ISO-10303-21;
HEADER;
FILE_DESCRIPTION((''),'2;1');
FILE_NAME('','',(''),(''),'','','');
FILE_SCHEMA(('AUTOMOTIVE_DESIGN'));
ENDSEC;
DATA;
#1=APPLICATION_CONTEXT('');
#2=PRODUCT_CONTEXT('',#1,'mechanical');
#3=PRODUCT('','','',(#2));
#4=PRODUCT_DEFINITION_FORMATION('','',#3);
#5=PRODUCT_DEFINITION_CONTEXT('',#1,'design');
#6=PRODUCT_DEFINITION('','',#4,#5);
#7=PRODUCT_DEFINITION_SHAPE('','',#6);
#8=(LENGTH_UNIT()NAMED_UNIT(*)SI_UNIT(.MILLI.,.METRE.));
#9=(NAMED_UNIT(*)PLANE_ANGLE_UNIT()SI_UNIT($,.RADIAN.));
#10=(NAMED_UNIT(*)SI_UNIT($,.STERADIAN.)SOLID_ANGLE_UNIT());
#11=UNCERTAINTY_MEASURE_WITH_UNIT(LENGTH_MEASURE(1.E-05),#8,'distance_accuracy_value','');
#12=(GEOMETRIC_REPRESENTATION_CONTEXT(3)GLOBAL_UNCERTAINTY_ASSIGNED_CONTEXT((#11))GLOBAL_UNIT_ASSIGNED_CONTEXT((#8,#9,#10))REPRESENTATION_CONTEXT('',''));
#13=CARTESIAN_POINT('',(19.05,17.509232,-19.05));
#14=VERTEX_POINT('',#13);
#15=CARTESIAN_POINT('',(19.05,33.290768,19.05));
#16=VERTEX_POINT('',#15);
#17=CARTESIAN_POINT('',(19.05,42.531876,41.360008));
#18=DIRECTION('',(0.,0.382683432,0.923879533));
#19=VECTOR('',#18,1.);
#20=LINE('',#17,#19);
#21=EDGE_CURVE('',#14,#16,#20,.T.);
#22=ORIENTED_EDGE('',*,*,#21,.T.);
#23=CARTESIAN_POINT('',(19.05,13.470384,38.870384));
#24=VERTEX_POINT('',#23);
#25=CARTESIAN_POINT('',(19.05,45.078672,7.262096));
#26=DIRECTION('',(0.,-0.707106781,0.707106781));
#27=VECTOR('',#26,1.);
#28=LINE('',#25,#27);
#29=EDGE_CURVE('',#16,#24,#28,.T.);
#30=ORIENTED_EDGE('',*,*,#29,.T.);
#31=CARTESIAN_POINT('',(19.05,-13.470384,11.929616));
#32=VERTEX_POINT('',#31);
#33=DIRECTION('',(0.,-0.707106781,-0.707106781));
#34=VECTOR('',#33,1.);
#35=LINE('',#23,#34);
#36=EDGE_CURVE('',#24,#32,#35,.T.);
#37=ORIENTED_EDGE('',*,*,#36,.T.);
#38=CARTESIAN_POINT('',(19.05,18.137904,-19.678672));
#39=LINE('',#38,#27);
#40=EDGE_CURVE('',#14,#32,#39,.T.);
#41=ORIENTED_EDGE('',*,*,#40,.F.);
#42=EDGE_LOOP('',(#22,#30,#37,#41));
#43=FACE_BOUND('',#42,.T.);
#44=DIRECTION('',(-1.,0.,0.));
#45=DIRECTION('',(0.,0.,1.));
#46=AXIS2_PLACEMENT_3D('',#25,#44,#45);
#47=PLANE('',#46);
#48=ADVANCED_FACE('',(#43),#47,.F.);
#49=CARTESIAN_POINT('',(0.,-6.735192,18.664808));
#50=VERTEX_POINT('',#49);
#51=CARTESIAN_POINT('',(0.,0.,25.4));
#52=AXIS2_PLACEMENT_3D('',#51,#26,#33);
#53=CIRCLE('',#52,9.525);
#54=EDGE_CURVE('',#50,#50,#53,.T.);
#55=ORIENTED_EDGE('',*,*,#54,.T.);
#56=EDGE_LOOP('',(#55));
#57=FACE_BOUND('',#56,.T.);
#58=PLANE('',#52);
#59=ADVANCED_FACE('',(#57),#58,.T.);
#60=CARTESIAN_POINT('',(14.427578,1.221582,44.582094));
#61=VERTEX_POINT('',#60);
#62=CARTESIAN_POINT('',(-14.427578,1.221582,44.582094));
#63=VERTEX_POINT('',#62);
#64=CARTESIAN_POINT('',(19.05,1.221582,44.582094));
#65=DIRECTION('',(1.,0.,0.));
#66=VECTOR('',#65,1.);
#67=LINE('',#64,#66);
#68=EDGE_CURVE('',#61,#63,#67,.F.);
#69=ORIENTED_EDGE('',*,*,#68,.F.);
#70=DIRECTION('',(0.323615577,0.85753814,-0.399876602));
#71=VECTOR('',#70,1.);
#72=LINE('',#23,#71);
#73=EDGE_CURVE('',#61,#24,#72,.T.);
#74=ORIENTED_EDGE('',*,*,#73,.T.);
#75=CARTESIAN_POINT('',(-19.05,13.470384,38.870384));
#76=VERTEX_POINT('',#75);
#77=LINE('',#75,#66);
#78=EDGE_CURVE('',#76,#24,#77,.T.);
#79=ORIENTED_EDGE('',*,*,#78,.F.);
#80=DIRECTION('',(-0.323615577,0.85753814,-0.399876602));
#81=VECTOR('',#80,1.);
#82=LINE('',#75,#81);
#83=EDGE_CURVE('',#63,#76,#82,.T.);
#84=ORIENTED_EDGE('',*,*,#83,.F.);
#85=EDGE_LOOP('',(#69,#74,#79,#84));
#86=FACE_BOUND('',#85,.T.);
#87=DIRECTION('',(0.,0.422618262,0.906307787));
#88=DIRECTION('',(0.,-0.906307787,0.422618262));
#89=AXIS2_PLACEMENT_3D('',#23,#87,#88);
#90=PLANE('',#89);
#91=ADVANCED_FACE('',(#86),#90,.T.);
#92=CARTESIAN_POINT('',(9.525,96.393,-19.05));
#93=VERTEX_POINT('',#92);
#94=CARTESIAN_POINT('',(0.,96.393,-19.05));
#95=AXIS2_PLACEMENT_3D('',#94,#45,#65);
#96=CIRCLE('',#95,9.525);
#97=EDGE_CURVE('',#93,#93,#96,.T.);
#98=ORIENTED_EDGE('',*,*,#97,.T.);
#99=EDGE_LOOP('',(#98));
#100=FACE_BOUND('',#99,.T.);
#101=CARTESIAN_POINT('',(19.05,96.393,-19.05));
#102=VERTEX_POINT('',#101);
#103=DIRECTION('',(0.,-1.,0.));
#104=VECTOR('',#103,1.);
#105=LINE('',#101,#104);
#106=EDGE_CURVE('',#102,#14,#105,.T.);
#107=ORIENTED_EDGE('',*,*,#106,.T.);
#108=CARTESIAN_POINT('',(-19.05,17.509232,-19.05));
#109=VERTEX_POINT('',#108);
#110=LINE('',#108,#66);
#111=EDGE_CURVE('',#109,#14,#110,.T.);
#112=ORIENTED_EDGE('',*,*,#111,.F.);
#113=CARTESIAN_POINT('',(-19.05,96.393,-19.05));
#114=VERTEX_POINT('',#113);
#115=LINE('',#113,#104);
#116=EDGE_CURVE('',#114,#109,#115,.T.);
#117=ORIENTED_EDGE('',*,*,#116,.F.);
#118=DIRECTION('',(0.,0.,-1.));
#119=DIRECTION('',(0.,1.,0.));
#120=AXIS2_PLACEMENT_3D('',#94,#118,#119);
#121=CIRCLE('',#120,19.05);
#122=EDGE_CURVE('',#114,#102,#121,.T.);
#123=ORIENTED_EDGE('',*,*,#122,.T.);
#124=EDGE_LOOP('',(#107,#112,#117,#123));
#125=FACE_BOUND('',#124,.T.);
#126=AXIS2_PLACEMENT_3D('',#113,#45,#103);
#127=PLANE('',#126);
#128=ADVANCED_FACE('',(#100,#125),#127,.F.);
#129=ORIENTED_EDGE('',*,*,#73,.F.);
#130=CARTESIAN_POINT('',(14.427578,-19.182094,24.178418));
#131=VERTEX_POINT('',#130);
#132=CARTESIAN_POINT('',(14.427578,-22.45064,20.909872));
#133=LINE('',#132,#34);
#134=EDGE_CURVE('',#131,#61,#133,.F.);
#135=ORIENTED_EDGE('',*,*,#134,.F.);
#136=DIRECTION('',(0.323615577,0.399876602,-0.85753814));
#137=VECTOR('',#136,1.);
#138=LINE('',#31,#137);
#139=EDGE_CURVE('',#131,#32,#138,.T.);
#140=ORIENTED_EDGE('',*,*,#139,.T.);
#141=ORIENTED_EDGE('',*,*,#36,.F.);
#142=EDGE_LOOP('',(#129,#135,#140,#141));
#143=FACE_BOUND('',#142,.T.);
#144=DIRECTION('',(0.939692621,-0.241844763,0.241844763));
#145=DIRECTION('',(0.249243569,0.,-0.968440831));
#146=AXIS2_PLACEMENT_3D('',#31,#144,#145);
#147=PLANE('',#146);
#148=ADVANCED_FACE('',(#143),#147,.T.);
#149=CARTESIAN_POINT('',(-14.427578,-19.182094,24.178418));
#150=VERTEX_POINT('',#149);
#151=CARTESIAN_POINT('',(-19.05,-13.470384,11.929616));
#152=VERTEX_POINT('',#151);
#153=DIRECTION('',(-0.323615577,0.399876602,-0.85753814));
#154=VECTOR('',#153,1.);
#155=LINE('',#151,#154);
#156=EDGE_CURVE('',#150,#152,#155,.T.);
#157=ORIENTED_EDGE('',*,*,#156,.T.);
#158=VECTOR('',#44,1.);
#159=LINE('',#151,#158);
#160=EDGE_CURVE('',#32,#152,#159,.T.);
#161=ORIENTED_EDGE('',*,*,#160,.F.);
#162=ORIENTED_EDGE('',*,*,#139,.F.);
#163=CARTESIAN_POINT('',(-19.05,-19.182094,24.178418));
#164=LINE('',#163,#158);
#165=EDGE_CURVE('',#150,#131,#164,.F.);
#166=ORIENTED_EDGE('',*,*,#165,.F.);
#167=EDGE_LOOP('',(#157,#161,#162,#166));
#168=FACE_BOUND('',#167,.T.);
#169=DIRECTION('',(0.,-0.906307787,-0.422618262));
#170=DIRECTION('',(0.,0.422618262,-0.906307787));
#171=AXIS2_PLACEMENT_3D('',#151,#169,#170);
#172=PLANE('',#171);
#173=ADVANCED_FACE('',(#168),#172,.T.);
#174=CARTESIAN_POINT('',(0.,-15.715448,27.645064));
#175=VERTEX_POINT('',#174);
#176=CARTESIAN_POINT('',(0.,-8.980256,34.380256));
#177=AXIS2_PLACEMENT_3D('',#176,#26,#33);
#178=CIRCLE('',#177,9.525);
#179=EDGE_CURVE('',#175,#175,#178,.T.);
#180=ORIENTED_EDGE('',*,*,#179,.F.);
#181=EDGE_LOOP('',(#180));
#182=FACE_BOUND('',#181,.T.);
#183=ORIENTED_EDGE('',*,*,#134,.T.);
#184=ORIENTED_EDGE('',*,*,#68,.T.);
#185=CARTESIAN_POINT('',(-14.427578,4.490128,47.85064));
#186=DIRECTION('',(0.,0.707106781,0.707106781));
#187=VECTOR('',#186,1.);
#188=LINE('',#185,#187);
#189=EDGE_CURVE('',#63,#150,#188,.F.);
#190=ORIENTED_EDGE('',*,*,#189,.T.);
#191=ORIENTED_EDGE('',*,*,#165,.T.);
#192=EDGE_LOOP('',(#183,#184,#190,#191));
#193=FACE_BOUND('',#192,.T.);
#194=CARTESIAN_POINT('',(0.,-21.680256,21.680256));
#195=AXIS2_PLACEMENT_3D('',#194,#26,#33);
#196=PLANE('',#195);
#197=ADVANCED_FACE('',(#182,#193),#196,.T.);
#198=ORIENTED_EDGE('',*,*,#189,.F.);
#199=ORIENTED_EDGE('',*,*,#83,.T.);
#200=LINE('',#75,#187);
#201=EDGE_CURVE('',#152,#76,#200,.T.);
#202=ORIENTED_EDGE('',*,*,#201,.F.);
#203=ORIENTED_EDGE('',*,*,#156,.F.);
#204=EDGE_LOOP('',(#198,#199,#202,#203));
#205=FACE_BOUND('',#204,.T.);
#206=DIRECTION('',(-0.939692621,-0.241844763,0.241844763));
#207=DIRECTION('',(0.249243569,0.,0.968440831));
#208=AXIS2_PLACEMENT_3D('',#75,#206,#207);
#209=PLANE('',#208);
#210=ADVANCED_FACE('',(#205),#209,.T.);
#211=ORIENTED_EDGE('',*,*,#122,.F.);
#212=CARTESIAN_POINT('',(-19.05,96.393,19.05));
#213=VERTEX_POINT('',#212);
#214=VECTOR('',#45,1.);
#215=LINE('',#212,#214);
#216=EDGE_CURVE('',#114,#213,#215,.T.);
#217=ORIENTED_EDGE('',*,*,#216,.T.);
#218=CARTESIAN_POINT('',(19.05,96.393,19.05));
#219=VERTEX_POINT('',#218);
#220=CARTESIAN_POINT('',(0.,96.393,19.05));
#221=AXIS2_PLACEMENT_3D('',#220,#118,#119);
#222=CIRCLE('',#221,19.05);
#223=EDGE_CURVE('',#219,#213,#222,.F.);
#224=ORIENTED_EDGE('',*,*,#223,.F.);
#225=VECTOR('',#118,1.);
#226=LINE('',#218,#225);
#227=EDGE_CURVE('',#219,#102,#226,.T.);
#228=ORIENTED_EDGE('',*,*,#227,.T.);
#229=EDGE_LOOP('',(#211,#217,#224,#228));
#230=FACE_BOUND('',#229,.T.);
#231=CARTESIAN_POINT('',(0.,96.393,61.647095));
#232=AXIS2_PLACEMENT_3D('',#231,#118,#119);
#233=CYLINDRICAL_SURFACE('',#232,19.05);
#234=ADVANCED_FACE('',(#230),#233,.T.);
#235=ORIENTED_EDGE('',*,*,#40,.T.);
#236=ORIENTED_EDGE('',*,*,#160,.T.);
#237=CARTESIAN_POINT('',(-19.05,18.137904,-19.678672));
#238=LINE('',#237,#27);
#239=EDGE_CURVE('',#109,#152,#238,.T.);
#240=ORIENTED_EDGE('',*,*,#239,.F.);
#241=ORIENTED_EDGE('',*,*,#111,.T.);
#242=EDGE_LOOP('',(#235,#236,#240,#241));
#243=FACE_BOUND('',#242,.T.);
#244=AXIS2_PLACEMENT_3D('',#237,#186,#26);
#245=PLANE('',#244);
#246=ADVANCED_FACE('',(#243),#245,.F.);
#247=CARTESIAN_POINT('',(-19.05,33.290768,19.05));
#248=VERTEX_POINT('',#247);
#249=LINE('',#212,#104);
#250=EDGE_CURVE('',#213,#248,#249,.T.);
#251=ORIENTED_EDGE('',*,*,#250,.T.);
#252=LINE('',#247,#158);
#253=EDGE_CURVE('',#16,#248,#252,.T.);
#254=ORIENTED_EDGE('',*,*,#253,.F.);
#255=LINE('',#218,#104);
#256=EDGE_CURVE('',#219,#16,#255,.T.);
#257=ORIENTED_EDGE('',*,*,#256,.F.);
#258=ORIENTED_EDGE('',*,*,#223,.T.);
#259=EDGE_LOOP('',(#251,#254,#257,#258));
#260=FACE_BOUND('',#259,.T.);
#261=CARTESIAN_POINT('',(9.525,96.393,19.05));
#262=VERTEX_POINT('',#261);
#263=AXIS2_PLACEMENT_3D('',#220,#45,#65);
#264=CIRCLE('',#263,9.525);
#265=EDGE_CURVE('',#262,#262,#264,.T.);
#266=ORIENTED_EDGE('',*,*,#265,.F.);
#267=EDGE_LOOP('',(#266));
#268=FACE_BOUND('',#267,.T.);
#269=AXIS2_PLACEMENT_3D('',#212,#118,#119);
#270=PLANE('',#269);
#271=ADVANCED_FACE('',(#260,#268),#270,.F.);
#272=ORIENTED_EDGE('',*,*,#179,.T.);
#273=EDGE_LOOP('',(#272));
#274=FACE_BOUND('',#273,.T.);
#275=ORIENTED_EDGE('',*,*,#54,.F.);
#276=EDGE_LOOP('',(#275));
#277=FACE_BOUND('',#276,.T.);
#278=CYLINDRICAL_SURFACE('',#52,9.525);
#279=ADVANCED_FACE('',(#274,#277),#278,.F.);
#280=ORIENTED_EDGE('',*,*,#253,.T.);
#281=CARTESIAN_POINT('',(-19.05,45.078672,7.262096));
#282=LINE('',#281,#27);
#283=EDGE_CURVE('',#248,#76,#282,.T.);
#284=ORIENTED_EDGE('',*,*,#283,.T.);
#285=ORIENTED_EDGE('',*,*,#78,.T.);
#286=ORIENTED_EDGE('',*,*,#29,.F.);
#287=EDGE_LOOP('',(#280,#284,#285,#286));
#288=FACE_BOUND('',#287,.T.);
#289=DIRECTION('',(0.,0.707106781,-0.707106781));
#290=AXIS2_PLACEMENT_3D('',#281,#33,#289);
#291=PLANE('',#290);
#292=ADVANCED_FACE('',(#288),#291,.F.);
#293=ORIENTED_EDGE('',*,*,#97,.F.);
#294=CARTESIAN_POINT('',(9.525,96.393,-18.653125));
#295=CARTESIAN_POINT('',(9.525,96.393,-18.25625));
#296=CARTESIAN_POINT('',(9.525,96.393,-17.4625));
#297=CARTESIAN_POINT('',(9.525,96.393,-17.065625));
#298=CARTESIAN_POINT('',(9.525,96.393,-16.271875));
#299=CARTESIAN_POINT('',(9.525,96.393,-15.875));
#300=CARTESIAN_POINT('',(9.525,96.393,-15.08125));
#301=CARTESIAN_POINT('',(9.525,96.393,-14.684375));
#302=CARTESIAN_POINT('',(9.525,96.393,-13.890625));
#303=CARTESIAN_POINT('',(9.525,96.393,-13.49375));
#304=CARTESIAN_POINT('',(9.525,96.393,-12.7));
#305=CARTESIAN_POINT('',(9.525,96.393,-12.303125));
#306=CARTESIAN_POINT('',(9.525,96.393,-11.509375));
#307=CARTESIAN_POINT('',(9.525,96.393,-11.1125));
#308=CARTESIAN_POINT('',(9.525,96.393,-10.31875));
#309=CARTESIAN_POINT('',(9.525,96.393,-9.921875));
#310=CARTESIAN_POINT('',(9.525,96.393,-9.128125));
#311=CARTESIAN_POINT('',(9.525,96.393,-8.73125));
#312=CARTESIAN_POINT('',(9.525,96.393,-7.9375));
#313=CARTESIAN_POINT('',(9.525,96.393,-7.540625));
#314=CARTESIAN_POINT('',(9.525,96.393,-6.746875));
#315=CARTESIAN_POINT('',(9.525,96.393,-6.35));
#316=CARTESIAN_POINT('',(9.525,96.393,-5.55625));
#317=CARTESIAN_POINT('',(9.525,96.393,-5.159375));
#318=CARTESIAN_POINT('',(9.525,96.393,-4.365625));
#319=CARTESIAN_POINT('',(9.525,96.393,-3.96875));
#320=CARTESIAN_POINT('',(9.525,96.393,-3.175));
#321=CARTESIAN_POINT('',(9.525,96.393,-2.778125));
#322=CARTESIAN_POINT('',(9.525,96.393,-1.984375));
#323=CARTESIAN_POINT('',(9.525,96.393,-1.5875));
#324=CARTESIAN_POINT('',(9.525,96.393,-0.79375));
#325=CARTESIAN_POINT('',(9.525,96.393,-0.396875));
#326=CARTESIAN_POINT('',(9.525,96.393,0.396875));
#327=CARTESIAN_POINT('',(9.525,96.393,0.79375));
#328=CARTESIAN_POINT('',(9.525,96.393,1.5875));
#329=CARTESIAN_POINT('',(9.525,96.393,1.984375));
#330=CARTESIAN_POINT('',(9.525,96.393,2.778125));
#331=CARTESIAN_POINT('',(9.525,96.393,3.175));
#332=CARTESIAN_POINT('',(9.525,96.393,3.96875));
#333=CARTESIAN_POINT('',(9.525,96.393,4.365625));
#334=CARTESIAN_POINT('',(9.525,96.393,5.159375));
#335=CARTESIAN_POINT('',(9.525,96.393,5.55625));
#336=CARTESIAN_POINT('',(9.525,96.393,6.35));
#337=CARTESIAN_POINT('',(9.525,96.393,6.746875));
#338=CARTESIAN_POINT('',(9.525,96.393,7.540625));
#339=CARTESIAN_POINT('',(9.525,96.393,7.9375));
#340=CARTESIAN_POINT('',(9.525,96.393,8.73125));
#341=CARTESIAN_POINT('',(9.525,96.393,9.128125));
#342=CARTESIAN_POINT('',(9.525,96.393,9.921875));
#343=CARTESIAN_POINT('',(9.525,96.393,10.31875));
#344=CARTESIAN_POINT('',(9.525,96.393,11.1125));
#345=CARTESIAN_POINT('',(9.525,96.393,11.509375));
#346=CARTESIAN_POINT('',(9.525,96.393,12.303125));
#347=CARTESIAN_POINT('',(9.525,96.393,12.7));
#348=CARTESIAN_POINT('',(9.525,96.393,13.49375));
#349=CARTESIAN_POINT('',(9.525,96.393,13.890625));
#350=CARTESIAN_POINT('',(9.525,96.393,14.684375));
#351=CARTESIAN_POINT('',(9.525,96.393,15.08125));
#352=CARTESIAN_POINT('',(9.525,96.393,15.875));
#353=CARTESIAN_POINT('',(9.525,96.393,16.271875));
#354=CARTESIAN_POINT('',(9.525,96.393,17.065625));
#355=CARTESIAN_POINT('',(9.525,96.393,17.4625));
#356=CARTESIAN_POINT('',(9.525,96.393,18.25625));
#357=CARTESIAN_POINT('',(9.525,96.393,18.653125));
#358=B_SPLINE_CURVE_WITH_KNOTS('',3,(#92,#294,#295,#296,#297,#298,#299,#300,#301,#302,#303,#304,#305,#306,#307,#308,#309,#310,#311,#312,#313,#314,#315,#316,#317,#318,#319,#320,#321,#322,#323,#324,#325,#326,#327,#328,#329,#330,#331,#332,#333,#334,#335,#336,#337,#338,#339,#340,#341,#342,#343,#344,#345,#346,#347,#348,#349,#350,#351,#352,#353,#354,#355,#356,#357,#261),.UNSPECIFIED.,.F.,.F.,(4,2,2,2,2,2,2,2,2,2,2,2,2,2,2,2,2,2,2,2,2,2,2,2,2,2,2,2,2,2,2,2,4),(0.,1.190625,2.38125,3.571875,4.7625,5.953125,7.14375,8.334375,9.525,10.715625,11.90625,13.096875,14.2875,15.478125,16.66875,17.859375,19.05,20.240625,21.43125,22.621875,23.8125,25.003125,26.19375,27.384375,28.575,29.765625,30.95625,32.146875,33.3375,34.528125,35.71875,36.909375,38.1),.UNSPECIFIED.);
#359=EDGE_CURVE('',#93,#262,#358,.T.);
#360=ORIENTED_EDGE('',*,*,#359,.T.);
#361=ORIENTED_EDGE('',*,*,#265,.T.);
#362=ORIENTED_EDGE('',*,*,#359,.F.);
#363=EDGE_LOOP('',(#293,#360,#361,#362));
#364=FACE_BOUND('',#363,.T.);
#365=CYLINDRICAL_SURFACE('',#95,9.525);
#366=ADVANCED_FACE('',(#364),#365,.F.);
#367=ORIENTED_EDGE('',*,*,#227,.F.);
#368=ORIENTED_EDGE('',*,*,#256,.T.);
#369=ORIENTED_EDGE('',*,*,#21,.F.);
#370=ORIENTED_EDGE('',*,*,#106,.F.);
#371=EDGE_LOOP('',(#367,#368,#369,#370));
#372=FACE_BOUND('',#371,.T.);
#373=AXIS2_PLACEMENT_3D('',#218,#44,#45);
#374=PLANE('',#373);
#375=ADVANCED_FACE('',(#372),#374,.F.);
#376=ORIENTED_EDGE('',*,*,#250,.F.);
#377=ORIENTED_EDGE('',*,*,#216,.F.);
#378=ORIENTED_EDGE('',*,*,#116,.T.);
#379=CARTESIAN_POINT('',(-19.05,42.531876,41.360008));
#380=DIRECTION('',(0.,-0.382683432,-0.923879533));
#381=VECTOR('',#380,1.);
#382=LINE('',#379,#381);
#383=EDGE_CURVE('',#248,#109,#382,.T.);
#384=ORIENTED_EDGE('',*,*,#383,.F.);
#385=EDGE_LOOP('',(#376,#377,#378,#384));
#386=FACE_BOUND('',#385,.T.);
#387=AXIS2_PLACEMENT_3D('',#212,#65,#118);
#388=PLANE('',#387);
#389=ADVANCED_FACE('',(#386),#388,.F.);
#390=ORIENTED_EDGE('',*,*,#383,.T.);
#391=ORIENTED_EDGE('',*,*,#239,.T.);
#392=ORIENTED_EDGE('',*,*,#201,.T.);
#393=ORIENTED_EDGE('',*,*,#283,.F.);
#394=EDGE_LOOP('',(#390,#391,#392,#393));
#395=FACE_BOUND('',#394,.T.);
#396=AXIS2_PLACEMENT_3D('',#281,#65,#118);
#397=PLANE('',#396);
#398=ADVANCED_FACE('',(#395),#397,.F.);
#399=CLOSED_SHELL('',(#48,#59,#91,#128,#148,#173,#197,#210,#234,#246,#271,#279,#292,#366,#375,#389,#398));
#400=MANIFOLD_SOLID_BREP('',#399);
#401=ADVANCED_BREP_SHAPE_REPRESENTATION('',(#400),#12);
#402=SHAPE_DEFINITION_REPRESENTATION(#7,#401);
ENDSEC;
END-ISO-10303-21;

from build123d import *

# Parameters (mm, degrees)
SKETCH11_W          = 38.1
SKETCH11_H          = 38.1
SKETCH12_W          = 38.1
SKETCH12_H          = 38.1
BOSS_EXTRUDE5_DEPTH = 12.7
BOSS_EXTRUDE5_TAPER = 20
BOSS_EXTRUDE6_DEPTH = 38.1
SKETCH14_R          = 9.525
CUT_EXTRUDE2_DEPTH  = 38.1
SKETCH15_R          = 9.525
CUT_EXTRUDE3_DEPTH  = 12.7


with BuildPart() as part:
    # Sweep1: sweep along a path in Sketch10
    with BuildLine(Plane(origin=(0, 0, 0), x_dir=(0, 0, -1), z_dir=(1, 0, 0))) as sweep1_path:
        Line((0, 96.393), (0, 25.4))
        Line((0, 25.4), (-25.4, 0))
    # Sketch11 → Sweep1 (sweep)
    with BuildSketch(Plane(origin=(0, 96.393, 0), x_dir=(1, 0, 0), z_dir=(0, 1, 0))):
        Rectangle(SKETCH11_W, SKETCH11_H)
    sweep(path=sweep1_path.line, transition=Transition.RIGHT)

    # Sketch12 → Boss-Extrude5 (add)
    with BuildSketch(Plane(origin=(0, -12.7, 12.7), x_dir=(1, 0, 0), z_dir=(0, -0.7071067811865461, 0.7071067811865489))):
        with Locations((0, 17.960512242)):
            Rectangle(SKETCH12_W, SKETCH12_H)
    extrude(amount=BOSS_EXTRUDE5_DEPTH, taper=BOSS_EXTRUDE5_TAPER)

    # Sketch13 → Boss-Extrude6 (add)
    with BuildSketch(Plane(origin=(0, 0, -19.05), x_dir=(-1, 0, 0), z_dir=(0, 0, -1))):
        with BuildLine():
            Line((-19.05, 96.393), (19.05, 96.393))
            ThreePointArc((19.05, 96.393), (0, 115.443), (-19.05, 96.393))
        make_face()
    extrude(amount=-BOSS_EXTRUDE6_DEPTH)

    # Sketch14 → Cut-Extrude2 (cut)
    with BuildSketch(Plane.XY.offset(19.05)):
        with Locations((0, 96.393)):
            Circle(SKETCH14_R)
    extrude(amount=-CUT_EXTRUDE2_DEPTH, mode=Mode.SUBTRACT)

    # Sketch15 → Cut-Extrude3 (cut)
    with BuildSketch(Plane(origin=(0, -21.680256121, 21.680256121), x_dir=(1, 0, 0), z_dir=(0, -0.7071067811865461, 0.7071067811865489))):
        with Locations(Location((0, 17.960512242, 0), (0, 0, 270))):
            Circle(SKETCH15_R)
    extrude(amount=-CUT_EXTRUDE3_DEPTH, mode=Mode.SUBTRACT)


solid = part.part
